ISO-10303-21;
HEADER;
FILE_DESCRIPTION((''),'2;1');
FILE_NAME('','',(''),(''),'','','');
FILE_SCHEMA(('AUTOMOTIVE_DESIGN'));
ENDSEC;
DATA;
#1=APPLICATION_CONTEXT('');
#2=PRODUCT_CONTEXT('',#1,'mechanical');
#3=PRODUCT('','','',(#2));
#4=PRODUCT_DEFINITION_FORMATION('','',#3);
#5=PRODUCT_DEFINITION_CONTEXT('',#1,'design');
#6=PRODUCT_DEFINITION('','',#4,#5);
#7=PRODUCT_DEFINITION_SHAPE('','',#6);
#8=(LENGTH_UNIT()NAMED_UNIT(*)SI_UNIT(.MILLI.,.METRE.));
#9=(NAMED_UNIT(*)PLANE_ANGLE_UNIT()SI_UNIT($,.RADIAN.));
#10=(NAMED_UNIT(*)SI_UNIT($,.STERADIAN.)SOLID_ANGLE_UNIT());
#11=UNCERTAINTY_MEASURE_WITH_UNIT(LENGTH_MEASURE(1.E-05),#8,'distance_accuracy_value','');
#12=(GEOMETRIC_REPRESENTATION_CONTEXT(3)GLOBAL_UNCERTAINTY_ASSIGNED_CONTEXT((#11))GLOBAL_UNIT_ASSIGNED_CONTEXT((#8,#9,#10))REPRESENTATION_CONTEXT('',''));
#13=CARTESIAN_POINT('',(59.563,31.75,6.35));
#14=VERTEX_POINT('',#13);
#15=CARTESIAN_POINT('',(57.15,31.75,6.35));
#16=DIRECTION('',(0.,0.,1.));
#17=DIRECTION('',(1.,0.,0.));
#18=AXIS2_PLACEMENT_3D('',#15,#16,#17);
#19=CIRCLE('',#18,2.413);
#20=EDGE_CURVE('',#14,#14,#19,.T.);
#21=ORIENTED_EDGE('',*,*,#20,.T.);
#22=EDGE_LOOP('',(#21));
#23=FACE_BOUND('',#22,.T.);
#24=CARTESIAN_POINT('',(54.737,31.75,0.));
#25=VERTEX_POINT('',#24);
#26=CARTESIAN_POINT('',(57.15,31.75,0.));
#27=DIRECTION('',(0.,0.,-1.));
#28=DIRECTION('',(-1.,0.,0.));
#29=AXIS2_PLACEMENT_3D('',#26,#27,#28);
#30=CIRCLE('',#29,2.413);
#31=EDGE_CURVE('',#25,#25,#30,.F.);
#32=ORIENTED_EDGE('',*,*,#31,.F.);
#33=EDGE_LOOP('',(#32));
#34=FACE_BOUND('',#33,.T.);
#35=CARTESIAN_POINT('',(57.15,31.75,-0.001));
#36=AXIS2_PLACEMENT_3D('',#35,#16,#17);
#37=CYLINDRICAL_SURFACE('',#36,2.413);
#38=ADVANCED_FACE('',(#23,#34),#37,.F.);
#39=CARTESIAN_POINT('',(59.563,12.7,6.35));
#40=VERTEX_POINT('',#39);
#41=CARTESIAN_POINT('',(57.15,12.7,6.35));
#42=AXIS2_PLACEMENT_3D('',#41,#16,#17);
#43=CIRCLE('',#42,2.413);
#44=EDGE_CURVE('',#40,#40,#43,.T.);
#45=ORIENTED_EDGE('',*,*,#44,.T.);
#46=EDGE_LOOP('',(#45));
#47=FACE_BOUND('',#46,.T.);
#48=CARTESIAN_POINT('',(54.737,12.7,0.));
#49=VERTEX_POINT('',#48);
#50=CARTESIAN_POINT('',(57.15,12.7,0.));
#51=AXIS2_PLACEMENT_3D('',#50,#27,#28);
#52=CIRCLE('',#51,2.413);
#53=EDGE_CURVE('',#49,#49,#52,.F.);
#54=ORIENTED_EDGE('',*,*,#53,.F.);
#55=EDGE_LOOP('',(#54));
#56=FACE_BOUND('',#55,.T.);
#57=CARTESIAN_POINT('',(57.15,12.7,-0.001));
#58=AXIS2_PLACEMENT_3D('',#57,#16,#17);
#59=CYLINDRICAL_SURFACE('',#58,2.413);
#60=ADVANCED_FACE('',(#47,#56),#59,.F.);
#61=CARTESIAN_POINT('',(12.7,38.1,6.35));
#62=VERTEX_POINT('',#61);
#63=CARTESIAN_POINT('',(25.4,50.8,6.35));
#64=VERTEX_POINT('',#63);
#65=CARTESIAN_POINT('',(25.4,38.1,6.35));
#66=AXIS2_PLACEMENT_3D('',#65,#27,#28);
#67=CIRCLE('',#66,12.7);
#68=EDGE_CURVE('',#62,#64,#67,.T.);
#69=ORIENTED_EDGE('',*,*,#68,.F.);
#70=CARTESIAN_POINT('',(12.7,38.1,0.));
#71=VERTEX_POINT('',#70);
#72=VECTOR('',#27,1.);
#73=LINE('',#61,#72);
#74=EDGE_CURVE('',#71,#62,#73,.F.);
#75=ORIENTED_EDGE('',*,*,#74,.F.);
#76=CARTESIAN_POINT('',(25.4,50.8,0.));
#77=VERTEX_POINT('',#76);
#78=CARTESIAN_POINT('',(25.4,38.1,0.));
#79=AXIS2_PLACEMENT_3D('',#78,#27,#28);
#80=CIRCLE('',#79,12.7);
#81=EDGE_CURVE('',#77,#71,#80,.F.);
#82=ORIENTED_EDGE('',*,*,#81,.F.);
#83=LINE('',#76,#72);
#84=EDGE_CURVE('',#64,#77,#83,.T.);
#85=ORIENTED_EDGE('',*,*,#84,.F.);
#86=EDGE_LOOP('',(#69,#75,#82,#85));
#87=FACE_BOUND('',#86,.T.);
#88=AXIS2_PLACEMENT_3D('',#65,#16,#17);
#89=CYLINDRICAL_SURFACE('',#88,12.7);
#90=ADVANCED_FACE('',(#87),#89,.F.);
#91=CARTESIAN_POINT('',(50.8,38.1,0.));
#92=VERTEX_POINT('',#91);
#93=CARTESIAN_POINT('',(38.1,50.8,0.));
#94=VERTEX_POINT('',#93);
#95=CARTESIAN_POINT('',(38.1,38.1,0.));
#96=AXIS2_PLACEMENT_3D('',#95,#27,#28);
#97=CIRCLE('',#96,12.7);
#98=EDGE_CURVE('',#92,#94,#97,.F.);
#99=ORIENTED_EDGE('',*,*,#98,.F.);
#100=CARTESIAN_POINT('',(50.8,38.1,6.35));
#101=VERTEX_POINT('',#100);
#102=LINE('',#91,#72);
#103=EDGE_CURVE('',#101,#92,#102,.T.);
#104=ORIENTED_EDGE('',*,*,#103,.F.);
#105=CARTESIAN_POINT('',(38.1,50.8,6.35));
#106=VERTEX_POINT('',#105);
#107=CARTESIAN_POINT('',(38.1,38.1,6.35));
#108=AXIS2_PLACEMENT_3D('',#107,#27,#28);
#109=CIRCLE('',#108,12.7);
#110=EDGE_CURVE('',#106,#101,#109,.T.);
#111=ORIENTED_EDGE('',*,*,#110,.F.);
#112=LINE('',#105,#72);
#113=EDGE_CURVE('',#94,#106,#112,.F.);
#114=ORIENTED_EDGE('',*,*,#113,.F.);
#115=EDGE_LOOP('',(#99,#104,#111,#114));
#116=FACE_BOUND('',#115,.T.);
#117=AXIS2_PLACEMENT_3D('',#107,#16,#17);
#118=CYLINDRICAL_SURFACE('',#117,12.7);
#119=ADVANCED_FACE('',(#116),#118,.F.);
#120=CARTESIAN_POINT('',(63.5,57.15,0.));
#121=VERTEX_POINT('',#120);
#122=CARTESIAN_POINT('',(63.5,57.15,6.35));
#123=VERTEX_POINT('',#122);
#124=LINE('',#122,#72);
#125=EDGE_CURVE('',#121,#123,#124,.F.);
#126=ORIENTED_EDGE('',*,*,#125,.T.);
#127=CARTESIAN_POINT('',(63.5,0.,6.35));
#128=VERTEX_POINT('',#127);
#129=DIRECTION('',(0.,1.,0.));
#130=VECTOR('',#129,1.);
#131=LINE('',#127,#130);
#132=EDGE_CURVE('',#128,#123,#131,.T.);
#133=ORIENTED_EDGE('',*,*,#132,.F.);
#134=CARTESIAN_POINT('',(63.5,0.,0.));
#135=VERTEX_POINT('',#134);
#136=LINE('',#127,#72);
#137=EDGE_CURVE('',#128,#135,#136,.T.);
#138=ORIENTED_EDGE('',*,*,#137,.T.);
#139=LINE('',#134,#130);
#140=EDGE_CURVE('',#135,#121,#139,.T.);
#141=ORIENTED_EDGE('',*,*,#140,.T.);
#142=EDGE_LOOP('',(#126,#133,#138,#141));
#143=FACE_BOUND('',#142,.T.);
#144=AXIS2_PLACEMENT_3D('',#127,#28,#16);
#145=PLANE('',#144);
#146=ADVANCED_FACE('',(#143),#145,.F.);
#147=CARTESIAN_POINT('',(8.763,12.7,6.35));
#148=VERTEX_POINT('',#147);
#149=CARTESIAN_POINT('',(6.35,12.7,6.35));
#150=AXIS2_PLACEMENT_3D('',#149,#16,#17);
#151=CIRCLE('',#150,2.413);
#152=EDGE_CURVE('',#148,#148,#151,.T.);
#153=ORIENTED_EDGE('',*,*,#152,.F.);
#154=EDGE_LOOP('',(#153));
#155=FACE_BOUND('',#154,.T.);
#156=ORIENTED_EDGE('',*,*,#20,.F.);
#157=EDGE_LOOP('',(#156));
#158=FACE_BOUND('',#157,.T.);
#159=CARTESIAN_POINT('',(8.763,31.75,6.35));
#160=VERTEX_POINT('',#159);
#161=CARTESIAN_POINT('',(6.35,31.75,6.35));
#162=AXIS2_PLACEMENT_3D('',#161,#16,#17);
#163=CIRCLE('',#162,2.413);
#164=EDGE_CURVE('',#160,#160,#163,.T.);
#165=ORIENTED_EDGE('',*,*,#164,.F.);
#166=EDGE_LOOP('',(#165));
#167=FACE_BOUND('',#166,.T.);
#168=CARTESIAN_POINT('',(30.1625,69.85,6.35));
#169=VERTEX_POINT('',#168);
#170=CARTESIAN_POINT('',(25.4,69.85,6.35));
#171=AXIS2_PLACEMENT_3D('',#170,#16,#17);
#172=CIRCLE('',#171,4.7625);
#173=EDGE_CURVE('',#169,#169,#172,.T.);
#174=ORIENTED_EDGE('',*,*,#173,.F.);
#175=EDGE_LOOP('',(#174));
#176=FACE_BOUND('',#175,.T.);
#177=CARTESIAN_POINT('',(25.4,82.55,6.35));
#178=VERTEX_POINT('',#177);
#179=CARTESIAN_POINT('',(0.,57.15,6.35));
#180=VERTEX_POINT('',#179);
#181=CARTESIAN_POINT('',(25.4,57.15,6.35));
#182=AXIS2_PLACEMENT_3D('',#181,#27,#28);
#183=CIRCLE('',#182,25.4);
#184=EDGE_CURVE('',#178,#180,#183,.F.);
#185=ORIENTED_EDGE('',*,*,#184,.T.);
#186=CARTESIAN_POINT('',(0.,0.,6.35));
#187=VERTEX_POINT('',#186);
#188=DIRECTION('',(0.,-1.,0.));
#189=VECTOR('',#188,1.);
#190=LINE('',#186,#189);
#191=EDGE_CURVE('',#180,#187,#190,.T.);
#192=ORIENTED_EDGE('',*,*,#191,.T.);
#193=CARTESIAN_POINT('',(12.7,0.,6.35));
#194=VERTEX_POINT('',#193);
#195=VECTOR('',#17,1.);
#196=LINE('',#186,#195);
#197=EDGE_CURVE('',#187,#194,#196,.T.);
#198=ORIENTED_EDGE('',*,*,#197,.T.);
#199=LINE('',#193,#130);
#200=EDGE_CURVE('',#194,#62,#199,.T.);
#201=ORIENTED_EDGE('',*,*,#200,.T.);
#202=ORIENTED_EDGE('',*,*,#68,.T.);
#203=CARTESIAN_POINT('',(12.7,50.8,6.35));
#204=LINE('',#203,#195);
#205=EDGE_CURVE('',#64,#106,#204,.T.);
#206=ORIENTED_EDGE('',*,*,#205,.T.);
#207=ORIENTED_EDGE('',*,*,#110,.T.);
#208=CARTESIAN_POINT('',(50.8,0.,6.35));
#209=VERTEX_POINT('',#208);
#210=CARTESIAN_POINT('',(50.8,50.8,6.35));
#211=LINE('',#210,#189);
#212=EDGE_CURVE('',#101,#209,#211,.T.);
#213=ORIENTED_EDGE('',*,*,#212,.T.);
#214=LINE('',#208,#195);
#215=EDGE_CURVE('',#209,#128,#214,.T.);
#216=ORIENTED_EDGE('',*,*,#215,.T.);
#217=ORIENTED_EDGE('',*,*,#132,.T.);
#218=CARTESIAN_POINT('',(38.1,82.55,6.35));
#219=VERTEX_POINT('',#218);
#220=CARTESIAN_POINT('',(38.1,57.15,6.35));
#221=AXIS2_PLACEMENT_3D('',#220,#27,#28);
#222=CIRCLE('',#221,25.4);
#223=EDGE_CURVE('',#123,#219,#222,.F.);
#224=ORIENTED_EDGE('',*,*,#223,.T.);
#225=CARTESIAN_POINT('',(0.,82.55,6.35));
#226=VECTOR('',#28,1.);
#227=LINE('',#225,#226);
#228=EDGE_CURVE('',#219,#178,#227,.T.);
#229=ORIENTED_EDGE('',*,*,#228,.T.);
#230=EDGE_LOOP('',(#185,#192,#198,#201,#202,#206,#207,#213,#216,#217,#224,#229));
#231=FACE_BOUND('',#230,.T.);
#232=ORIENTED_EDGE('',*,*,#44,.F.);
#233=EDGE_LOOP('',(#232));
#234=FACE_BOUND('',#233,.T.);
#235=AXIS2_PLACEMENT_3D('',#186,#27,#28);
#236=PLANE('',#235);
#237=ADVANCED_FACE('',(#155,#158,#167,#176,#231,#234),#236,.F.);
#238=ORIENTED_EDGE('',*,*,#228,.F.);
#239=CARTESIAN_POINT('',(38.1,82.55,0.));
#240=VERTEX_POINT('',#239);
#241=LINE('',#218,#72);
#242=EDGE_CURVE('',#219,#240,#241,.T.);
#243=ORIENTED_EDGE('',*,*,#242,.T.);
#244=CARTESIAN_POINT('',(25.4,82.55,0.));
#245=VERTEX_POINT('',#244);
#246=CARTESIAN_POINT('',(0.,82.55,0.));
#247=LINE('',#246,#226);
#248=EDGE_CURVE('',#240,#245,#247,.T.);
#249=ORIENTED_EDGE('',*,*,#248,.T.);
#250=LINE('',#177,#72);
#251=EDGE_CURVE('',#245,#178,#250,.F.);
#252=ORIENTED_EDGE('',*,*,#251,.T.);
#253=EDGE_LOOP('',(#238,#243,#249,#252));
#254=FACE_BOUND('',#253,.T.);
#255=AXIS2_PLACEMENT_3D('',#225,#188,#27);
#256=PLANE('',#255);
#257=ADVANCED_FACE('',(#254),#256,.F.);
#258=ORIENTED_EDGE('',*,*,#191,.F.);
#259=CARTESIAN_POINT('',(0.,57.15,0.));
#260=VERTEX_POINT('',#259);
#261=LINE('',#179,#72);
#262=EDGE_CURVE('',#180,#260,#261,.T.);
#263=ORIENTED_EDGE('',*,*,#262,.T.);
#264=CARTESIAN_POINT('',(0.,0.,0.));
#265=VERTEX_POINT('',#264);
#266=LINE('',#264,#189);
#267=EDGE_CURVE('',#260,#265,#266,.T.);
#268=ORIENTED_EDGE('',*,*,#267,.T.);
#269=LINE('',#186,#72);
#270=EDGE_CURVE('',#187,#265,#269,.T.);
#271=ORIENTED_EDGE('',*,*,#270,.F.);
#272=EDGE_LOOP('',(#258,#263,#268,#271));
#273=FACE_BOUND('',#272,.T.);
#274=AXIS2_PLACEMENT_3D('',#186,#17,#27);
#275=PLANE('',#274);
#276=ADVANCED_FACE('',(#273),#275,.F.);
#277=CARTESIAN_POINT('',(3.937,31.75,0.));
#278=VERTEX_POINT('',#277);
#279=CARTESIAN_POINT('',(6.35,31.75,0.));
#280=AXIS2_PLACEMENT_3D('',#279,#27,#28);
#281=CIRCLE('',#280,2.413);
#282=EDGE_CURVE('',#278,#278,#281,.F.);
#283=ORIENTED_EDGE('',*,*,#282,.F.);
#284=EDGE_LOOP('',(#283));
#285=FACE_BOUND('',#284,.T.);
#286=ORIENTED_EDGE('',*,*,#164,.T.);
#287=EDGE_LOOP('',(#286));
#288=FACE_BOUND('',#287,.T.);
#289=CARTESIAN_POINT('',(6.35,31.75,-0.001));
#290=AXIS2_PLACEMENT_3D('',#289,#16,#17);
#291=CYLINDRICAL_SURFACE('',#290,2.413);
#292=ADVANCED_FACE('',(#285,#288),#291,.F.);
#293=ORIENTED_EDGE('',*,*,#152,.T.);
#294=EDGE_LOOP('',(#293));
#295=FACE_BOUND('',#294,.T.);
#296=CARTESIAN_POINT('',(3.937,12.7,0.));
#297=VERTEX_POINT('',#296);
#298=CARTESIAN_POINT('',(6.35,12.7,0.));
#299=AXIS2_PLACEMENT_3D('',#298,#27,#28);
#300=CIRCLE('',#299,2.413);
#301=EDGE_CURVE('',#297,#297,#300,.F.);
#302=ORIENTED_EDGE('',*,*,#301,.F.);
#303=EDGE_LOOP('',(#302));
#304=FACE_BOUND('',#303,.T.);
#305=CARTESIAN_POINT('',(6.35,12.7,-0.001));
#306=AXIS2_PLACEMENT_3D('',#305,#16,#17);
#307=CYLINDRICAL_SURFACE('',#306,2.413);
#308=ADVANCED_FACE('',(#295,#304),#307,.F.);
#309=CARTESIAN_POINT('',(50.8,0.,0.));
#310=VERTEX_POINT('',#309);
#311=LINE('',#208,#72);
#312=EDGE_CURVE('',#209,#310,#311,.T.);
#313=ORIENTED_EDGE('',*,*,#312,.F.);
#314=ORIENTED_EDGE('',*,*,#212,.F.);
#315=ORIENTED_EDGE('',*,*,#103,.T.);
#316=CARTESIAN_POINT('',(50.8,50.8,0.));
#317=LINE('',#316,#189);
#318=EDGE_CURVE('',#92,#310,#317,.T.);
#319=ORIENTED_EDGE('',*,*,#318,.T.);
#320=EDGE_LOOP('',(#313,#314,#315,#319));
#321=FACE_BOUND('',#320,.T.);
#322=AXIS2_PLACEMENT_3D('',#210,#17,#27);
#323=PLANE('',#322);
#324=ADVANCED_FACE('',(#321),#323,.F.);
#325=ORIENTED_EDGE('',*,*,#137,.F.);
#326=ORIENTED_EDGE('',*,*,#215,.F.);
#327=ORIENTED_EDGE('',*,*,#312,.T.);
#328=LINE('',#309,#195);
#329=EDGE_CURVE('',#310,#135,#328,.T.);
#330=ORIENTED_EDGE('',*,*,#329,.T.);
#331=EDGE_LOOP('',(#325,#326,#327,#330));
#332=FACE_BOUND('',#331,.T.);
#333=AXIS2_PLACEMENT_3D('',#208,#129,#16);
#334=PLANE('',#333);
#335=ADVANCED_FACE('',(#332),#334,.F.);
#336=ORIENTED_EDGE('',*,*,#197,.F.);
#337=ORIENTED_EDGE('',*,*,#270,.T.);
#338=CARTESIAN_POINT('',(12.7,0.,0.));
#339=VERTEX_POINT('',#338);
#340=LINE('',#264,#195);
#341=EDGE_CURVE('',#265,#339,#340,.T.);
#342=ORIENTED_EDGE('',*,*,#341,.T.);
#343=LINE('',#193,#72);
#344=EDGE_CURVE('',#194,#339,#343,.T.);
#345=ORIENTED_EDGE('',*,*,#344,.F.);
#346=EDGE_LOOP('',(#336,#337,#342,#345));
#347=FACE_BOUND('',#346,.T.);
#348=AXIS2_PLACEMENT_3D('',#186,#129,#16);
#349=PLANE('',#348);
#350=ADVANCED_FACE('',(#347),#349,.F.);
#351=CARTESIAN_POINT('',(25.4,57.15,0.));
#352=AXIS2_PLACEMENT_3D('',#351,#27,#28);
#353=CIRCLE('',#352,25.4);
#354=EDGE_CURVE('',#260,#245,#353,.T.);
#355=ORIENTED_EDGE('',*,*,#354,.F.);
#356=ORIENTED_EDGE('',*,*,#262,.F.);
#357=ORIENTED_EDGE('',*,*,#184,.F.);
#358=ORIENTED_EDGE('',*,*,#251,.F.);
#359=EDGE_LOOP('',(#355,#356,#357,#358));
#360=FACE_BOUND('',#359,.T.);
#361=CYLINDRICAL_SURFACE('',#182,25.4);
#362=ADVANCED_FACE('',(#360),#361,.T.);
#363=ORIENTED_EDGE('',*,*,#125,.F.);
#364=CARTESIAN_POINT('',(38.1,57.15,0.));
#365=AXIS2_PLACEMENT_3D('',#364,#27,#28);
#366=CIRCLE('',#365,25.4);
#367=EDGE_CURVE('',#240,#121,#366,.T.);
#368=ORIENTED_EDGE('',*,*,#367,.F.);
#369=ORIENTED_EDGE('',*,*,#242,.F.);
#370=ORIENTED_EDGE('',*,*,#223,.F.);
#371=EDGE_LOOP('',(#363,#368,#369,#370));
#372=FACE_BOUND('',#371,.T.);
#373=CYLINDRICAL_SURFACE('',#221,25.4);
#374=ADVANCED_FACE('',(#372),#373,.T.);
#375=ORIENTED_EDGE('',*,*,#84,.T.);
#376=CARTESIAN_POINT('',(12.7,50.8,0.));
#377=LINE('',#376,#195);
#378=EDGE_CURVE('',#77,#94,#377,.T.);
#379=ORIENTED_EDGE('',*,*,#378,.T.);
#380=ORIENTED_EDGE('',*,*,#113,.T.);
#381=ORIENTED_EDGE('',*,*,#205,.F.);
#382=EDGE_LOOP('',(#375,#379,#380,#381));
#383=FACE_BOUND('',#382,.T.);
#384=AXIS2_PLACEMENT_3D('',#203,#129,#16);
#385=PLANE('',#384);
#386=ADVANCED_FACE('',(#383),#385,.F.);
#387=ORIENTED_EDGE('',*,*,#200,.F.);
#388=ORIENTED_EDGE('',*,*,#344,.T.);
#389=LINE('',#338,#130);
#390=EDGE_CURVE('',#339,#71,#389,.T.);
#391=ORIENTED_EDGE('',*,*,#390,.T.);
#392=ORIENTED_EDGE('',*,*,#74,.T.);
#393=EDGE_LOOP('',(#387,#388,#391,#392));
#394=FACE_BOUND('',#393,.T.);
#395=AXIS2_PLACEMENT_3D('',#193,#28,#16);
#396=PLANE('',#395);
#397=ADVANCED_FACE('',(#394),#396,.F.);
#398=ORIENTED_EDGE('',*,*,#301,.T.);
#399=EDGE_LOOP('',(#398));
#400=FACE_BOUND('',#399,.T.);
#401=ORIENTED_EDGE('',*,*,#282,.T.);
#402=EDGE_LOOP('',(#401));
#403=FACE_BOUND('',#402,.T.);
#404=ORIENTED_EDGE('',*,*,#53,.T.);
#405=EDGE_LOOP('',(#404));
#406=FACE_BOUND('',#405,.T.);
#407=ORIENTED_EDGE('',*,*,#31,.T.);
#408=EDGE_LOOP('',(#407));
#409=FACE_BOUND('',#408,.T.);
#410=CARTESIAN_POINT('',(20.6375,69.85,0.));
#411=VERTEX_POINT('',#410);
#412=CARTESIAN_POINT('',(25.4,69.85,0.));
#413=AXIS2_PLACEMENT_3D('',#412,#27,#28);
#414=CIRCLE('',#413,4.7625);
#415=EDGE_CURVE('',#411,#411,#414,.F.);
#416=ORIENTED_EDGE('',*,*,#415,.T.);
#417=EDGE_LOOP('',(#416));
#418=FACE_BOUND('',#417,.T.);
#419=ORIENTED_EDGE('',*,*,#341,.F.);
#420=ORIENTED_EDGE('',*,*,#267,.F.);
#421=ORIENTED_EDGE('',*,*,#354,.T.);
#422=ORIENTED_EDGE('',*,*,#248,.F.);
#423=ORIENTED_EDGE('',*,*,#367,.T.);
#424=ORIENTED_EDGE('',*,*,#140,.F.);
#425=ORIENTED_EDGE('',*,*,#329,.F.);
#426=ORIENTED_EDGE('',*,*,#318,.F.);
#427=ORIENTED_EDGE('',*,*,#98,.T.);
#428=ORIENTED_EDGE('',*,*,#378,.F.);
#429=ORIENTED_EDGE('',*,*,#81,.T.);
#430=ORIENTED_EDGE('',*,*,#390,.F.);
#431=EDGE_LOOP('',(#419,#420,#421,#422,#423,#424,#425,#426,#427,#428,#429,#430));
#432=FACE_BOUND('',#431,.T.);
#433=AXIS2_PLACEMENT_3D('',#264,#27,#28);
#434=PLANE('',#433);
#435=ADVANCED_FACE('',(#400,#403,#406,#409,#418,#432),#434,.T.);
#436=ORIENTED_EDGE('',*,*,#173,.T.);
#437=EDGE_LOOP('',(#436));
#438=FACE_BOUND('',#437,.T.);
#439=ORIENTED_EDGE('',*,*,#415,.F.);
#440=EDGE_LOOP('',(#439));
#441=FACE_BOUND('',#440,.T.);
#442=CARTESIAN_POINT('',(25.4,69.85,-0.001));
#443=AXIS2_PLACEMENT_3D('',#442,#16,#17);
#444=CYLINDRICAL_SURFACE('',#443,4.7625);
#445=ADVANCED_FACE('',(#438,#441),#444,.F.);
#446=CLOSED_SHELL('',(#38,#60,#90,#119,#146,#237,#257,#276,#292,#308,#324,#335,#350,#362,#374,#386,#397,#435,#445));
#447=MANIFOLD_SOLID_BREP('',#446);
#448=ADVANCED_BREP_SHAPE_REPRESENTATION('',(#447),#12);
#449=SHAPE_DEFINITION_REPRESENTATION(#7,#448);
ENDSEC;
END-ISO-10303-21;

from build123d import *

# Parameters (mm, degrees)
BOSS_EXTRUDE1_DEPTH = 6.35
CUT_EXTRUDE1_REACH  = 8.35
SKETCH2_R           = 2.413
CUT_EXTRUDE2_REACH  = 8.35
SKETCH3_R           = 4.7625
FILLET1_R           = 12.7
FILLET2_R           = 25.4


with BuildPart() as part:
    # Sketch1 → Boss-Extrude1 (new body)
    with BuildSketch(Plane.XY):
        Polygon((0, 0), (12.7, 0), (12.7, 50.8), (50.8, 50.8), (50.8, 0), (63.5, 0), (63.5, 82.55), (0, 82.55), align=None)
    extrude(amount=BOSS_EXTRUDE1_DEPTH)

    # Sketch2 → Cut-Extrude1 (cut, up to next)
    with BuildSketch(Plane.XY.offset(6.35), mode=Mode.PRIVATE) as cut_extrude1_sk1:
        with Locations((6.35, 12.7)):
            Circle(SKETCH2_R)
    cut_extrude1_tool1 = extrude(cut_extrude1_sk1.sketch, amount=-CUT_EXTRUDE1_REACH, mode=Mode.PRIVATE) & part.part
    add(cut_extrude1_tool1.solids().sort_by_distance((6.35, 12.7, 6.35))[0], mode=Mode.SUBTRACT)
    # Sketch2 → Cut-Extrude1 (cut, up to next)
    with BuildSketch(Plane.XY.offset(6.35), mode=Mode.PRIVATE) as cut_extrude1_sk2:
        with Locations((6.35, 31.75)):
            Circle(SKETCH2_R)
    cut_extrude1_tool2 = extrude(cut_extrude1_sk2.sketch, amount=-CUT_EXTRUDE1_REACH, mode=Mode.PRIVATE) & part.part
    add(cut_extrude1_tool2.solids().sort_by_distance((6.35, 31.75, 6.35))[0], mode=Mode.SUBTRACT)
    # Sketch2 → Cut-Extrude1 (cut, up to next)
    with BuildSketch(Plane.XY.offset(6.35), mode=Mode.PRIVATE) as cut_extrude1_sk3:
        with Locations((57.15, 12.7)):
            Circle(SKETCH2_R)
    cut_extrude1_tool3 = extrude(cut_extrude1_sk3.sketch, amount=-CUT_EXTRUDE1_REACH, mode=Mode.PRIVATE) & part.part
    add(cut_extrude1_tool3.solids().sort_by_distance((57.15, 12.7, 6.35))[0], mode=Mode.SUBTRACT)
    # Sketch2 → Cut-Extrude1 (cut, up to next)
    with BuildSketch(Plane.XY.offset(6.35), mode=Mode.PRIVATE) as cut_extrude1_sk4:
        with Locations((57.15, 31.75)):
            Circle(SKETCH2_R)
    cut_extrude1_tool4 = extrude(cut_extrude1_sk4.sketch, amount=-CUT_EXTRUDE1_REACH, mode=Mode.PRIVATE) & part.part
    add(cut_extrude1_tool4.solids().sort_by_distance((57.15, 31.75, 6.35))[0], mode=Mode.SUBTRACT)

    # Sketch3 → Cut-Extrude2 (cut, up to next)
    with BuildSketch(Plane.XY.offset(6.35), mode=Mode.PRIVATE) as cut_extrude2_sk1:
        with Locations((25.4, 69.85)):
            Circle(SKETCH3_R)
    cut_extrude2_tool1 = extrude(cut_extrude2_sk1.sketch, amount=-CUT_EXTRUDE2_REACH, mode=Mode.PRIVATE) & part.part
    add(cut_extrude2_tool1.solids().sort_by_distance((25.4, 69.85, 6.35))[0], mode=Mode.SUBTRACT)

    # Fillet1
    fillet1_edges = [part.edges().sort_by_distance(p)[0] for p in [
        (50.8, 50.8, 3.175),
        (12.7, 50.8, 3.175),
    ]]
    fillet(fillet1_edges, radius=FILLET1_R)

    # Fillet2
    fillet2_edges = [part.edges().sort_by_distance(p)[0] for p in [
        (0, 82.55, 3.175),
        (63.5, 82.55, 3.175),
    ]]
    fillet(fillet2_edges, radius=FILLET2_R)


solid = part.part
